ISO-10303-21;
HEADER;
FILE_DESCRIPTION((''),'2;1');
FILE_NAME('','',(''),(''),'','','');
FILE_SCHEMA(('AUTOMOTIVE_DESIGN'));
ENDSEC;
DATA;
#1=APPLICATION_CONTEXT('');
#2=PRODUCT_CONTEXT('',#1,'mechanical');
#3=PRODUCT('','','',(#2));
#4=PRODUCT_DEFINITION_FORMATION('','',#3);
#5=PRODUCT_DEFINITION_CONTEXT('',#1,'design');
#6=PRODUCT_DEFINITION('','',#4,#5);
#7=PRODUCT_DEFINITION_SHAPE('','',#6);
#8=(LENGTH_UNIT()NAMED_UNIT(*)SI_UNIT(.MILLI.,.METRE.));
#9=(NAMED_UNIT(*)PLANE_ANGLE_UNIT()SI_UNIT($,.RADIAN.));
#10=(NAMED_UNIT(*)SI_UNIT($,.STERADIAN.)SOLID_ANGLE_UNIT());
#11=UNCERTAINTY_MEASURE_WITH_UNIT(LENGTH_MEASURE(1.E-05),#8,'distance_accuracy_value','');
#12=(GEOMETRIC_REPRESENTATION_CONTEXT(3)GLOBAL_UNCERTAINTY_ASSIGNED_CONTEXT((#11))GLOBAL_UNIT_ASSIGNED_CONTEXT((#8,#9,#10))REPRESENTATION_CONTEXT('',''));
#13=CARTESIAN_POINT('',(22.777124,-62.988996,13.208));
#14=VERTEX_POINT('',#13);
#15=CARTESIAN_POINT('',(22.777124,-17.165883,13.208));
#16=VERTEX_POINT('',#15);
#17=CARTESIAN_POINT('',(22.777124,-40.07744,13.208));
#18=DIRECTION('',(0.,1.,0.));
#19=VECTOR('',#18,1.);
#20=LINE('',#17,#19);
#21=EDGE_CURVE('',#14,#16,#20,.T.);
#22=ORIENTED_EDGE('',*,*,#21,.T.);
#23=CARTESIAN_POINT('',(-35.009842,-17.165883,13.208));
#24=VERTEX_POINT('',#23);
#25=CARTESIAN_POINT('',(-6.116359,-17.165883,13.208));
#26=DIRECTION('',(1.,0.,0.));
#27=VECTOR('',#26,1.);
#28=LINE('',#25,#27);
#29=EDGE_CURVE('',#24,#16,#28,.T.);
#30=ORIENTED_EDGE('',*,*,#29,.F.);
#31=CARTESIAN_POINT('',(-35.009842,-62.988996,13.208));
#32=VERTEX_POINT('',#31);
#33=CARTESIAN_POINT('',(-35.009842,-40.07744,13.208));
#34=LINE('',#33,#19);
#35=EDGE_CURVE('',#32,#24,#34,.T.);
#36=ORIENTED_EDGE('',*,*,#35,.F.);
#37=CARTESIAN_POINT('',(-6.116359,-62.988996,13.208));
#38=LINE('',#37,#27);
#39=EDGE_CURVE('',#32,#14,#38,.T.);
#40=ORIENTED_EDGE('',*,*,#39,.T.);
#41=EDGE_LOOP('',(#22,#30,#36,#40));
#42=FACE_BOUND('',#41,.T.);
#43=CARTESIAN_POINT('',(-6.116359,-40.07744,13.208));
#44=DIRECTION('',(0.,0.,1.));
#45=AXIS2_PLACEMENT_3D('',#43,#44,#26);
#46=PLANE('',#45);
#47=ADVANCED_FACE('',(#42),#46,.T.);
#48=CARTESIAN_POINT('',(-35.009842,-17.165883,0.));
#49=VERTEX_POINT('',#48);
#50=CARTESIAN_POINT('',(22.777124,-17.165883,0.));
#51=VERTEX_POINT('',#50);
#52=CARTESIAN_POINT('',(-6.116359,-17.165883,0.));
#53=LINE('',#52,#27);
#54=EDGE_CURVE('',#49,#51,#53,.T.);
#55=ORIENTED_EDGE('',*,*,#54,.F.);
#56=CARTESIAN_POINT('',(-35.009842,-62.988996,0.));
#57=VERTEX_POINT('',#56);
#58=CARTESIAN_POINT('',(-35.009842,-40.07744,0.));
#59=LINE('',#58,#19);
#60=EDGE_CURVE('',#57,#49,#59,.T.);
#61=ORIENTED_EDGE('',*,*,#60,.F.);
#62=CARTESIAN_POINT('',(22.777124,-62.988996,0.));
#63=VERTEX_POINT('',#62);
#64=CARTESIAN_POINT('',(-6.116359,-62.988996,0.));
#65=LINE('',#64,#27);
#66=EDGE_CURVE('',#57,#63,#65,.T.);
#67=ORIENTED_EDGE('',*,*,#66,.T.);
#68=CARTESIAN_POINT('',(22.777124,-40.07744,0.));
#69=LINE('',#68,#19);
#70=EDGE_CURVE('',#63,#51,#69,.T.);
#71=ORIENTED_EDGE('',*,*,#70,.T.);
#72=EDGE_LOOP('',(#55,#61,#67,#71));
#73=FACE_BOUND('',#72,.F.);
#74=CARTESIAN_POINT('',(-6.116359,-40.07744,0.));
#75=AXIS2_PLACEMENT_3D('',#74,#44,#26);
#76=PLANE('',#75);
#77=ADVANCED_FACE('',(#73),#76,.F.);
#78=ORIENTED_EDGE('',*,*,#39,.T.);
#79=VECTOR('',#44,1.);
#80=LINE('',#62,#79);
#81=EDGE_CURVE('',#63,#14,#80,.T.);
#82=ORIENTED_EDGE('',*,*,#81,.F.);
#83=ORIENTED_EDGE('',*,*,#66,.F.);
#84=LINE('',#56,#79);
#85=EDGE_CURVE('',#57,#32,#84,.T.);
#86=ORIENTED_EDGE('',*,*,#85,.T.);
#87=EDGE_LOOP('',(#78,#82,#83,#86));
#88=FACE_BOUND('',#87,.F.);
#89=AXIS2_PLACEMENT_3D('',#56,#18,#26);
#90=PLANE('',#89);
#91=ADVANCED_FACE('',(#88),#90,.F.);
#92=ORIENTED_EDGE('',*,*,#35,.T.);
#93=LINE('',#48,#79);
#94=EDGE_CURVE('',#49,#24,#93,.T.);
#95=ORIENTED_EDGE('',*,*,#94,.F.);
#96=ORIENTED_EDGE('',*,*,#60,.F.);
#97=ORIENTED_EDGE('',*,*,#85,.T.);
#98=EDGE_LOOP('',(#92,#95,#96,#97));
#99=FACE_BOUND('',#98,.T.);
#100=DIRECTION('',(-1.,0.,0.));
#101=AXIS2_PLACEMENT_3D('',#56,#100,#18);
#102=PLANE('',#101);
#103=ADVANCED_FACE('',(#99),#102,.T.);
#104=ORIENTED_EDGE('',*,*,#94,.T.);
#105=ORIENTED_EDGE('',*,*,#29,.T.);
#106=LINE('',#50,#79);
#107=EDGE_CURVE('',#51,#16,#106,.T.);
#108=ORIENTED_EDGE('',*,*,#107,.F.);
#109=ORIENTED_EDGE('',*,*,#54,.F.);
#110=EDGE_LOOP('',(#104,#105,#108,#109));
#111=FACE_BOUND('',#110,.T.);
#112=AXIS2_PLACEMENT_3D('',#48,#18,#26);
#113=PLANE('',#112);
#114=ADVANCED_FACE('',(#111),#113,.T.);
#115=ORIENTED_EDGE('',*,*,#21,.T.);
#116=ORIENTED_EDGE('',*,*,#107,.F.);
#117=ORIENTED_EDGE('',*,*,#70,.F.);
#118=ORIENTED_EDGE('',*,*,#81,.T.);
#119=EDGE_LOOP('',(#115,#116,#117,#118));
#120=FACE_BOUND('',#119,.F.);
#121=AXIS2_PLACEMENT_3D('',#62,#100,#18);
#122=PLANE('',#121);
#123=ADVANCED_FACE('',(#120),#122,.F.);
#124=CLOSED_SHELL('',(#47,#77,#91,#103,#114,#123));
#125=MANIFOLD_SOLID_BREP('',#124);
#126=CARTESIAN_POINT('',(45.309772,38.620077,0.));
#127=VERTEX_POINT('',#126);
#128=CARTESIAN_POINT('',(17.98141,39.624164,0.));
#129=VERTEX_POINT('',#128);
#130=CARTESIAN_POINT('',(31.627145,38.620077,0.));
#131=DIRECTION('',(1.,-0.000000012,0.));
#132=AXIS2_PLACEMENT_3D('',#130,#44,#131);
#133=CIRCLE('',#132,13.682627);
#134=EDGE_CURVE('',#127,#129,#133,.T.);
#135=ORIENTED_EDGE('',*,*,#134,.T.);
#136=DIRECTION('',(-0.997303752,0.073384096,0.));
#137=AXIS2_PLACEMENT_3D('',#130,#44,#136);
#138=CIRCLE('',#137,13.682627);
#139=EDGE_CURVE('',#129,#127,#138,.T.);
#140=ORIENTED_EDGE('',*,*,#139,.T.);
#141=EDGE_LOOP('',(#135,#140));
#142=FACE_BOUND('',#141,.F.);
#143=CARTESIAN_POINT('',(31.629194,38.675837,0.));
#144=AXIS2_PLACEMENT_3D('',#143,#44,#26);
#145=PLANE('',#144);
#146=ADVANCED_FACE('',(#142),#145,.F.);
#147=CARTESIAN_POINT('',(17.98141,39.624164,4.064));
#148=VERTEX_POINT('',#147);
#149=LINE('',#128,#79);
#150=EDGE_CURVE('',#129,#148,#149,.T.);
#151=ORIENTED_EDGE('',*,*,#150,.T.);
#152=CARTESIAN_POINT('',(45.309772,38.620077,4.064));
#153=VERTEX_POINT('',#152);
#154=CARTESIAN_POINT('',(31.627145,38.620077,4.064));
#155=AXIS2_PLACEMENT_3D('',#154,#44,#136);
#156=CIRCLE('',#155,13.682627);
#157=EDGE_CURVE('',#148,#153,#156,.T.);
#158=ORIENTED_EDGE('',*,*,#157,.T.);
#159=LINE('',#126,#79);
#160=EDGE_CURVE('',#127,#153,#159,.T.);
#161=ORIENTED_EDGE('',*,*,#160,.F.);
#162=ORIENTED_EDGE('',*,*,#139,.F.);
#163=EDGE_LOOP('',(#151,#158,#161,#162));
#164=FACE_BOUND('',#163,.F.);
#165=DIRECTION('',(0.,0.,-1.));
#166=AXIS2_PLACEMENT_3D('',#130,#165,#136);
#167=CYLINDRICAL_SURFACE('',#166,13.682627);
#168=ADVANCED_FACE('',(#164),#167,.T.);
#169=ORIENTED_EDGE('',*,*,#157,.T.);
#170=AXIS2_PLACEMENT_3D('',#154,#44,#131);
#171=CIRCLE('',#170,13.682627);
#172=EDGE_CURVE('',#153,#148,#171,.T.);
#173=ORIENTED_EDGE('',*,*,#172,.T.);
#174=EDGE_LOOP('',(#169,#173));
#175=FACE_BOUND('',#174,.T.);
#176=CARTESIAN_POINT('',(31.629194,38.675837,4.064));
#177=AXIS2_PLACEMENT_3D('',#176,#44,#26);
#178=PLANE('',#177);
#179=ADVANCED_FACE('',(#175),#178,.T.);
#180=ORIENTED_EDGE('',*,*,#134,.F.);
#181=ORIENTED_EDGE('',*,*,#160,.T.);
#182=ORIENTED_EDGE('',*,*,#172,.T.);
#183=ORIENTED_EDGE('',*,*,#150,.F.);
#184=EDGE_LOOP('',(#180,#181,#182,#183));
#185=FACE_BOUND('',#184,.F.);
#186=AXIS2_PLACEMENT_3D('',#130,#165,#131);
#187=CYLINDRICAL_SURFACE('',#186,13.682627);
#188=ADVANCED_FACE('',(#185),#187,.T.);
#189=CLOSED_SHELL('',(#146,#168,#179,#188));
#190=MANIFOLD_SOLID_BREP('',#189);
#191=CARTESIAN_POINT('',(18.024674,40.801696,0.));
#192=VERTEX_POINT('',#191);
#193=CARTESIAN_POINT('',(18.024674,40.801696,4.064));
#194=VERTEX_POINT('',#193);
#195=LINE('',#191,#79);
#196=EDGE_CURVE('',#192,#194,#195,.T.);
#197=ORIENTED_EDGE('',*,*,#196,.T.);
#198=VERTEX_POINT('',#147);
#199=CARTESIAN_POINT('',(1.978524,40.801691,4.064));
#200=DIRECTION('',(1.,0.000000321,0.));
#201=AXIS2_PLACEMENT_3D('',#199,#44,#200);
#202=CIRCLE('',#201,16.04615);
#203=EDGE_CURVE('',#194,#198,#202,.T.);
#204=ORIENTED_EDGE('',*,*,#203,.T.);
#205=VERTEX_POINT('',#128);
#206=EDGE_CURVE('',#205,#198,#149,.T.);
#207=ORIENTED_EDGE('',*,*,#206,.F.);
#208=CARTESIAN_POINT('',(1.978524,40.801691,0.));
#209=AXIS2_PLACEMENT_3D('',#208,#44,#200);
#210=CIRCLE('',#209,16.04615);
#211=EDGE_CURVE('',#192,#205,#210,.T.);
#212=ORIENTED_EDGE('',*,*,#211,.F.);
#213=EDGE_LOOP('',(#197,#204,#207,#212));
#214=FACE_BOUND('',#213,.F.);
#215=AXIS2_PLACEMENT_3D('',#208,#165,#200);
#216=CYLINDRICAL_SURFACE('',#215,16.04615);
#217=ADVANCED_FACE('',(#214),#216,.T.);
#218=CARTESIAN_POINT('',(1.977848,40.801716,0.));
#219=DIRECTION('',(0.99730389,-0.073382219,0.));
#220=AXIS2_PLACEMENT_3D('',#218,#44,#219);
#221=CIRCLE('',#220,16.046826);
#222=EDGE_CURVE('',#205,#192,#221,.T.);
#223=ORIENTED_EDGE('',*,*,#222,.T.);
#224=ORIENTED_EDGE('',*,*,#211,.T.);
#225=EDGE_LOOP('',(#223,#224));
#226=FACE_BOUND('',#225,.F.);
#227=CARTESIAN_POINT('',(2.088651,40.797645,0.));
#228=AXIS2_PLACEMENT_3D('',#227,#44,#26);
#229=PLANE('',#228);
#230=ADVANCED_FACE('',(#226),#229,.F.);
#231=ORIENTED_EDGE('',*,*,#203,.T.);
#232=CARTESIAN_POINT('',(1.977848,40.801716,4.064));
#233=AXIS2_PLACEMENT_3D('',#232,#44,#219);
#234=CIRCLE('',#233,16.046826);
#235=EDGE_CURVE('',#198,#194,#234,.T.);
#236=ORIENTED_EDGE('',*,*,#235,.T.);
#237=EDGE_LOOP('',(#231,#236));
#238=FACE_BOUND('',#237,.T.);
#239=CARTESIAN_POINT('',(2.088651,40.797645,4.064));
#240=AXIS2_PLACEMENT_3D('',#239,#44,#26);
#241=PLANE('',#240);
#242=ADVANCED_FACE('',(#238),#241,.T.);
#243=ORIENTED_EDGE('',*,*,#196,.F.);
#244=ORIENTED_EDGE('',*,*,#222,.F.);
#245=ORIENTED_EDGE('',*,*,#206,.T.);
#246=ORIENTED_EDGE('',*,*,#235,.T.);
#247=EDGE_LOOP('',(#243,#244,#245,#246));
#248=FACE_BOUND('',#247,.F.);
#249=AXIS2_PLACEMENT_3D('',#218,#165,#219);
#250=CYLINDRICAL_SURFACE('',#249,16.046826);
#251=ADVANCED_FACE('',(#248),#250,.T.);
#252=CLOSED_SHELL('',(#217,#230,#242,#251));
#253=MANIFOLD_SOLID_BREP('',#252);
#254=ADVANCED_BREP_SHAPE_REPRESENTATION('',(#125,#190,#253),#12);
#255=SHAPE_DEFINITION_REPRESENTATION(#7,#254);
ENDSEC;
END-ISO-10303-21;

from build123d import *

# Parameters (mm, degrees)
F0_W     = 57.786967
F0_H     = 45.823113
F1_DEPTH = 13.208
F2_DEPTH = 4.064


with BuildPart() as f1:
    # F0 (on Top) → F1 (new body)
    with BuildSketch(Plane.XY):
        with Locations((-6.116359, -40.07744)):
            Rectangle(F0_W, F0_H)
    extrude(amount=F1_DEPTH)


with BuildPart() as f2:
    # F0 (on Top) → F2 (new body)
    with BuildSketch(Plane.XY):
        with BuildLine():
            ThreePointArc((45.309772, 38.620077), (32.129527, 52.293478), (17.98141, 39.624164))
            ThreePointArc((17.98141, 39.624164), (31.124762, 24.946676), (45.309772, 38.620077))
        make_face()
        with BuildLine():
            ThreePointArc((17.98141, 39.624164), (18.013854, 40.212533), (18.024674, 40.801696))
            ThreePointArc((18.024674, 40.801696), (-14.056806, 41.39086), (17.98141, 39.624164))
        make_face()
    extrude(amount=F2_DEPTH)


solid = Compound([f1.part, f2.part])
